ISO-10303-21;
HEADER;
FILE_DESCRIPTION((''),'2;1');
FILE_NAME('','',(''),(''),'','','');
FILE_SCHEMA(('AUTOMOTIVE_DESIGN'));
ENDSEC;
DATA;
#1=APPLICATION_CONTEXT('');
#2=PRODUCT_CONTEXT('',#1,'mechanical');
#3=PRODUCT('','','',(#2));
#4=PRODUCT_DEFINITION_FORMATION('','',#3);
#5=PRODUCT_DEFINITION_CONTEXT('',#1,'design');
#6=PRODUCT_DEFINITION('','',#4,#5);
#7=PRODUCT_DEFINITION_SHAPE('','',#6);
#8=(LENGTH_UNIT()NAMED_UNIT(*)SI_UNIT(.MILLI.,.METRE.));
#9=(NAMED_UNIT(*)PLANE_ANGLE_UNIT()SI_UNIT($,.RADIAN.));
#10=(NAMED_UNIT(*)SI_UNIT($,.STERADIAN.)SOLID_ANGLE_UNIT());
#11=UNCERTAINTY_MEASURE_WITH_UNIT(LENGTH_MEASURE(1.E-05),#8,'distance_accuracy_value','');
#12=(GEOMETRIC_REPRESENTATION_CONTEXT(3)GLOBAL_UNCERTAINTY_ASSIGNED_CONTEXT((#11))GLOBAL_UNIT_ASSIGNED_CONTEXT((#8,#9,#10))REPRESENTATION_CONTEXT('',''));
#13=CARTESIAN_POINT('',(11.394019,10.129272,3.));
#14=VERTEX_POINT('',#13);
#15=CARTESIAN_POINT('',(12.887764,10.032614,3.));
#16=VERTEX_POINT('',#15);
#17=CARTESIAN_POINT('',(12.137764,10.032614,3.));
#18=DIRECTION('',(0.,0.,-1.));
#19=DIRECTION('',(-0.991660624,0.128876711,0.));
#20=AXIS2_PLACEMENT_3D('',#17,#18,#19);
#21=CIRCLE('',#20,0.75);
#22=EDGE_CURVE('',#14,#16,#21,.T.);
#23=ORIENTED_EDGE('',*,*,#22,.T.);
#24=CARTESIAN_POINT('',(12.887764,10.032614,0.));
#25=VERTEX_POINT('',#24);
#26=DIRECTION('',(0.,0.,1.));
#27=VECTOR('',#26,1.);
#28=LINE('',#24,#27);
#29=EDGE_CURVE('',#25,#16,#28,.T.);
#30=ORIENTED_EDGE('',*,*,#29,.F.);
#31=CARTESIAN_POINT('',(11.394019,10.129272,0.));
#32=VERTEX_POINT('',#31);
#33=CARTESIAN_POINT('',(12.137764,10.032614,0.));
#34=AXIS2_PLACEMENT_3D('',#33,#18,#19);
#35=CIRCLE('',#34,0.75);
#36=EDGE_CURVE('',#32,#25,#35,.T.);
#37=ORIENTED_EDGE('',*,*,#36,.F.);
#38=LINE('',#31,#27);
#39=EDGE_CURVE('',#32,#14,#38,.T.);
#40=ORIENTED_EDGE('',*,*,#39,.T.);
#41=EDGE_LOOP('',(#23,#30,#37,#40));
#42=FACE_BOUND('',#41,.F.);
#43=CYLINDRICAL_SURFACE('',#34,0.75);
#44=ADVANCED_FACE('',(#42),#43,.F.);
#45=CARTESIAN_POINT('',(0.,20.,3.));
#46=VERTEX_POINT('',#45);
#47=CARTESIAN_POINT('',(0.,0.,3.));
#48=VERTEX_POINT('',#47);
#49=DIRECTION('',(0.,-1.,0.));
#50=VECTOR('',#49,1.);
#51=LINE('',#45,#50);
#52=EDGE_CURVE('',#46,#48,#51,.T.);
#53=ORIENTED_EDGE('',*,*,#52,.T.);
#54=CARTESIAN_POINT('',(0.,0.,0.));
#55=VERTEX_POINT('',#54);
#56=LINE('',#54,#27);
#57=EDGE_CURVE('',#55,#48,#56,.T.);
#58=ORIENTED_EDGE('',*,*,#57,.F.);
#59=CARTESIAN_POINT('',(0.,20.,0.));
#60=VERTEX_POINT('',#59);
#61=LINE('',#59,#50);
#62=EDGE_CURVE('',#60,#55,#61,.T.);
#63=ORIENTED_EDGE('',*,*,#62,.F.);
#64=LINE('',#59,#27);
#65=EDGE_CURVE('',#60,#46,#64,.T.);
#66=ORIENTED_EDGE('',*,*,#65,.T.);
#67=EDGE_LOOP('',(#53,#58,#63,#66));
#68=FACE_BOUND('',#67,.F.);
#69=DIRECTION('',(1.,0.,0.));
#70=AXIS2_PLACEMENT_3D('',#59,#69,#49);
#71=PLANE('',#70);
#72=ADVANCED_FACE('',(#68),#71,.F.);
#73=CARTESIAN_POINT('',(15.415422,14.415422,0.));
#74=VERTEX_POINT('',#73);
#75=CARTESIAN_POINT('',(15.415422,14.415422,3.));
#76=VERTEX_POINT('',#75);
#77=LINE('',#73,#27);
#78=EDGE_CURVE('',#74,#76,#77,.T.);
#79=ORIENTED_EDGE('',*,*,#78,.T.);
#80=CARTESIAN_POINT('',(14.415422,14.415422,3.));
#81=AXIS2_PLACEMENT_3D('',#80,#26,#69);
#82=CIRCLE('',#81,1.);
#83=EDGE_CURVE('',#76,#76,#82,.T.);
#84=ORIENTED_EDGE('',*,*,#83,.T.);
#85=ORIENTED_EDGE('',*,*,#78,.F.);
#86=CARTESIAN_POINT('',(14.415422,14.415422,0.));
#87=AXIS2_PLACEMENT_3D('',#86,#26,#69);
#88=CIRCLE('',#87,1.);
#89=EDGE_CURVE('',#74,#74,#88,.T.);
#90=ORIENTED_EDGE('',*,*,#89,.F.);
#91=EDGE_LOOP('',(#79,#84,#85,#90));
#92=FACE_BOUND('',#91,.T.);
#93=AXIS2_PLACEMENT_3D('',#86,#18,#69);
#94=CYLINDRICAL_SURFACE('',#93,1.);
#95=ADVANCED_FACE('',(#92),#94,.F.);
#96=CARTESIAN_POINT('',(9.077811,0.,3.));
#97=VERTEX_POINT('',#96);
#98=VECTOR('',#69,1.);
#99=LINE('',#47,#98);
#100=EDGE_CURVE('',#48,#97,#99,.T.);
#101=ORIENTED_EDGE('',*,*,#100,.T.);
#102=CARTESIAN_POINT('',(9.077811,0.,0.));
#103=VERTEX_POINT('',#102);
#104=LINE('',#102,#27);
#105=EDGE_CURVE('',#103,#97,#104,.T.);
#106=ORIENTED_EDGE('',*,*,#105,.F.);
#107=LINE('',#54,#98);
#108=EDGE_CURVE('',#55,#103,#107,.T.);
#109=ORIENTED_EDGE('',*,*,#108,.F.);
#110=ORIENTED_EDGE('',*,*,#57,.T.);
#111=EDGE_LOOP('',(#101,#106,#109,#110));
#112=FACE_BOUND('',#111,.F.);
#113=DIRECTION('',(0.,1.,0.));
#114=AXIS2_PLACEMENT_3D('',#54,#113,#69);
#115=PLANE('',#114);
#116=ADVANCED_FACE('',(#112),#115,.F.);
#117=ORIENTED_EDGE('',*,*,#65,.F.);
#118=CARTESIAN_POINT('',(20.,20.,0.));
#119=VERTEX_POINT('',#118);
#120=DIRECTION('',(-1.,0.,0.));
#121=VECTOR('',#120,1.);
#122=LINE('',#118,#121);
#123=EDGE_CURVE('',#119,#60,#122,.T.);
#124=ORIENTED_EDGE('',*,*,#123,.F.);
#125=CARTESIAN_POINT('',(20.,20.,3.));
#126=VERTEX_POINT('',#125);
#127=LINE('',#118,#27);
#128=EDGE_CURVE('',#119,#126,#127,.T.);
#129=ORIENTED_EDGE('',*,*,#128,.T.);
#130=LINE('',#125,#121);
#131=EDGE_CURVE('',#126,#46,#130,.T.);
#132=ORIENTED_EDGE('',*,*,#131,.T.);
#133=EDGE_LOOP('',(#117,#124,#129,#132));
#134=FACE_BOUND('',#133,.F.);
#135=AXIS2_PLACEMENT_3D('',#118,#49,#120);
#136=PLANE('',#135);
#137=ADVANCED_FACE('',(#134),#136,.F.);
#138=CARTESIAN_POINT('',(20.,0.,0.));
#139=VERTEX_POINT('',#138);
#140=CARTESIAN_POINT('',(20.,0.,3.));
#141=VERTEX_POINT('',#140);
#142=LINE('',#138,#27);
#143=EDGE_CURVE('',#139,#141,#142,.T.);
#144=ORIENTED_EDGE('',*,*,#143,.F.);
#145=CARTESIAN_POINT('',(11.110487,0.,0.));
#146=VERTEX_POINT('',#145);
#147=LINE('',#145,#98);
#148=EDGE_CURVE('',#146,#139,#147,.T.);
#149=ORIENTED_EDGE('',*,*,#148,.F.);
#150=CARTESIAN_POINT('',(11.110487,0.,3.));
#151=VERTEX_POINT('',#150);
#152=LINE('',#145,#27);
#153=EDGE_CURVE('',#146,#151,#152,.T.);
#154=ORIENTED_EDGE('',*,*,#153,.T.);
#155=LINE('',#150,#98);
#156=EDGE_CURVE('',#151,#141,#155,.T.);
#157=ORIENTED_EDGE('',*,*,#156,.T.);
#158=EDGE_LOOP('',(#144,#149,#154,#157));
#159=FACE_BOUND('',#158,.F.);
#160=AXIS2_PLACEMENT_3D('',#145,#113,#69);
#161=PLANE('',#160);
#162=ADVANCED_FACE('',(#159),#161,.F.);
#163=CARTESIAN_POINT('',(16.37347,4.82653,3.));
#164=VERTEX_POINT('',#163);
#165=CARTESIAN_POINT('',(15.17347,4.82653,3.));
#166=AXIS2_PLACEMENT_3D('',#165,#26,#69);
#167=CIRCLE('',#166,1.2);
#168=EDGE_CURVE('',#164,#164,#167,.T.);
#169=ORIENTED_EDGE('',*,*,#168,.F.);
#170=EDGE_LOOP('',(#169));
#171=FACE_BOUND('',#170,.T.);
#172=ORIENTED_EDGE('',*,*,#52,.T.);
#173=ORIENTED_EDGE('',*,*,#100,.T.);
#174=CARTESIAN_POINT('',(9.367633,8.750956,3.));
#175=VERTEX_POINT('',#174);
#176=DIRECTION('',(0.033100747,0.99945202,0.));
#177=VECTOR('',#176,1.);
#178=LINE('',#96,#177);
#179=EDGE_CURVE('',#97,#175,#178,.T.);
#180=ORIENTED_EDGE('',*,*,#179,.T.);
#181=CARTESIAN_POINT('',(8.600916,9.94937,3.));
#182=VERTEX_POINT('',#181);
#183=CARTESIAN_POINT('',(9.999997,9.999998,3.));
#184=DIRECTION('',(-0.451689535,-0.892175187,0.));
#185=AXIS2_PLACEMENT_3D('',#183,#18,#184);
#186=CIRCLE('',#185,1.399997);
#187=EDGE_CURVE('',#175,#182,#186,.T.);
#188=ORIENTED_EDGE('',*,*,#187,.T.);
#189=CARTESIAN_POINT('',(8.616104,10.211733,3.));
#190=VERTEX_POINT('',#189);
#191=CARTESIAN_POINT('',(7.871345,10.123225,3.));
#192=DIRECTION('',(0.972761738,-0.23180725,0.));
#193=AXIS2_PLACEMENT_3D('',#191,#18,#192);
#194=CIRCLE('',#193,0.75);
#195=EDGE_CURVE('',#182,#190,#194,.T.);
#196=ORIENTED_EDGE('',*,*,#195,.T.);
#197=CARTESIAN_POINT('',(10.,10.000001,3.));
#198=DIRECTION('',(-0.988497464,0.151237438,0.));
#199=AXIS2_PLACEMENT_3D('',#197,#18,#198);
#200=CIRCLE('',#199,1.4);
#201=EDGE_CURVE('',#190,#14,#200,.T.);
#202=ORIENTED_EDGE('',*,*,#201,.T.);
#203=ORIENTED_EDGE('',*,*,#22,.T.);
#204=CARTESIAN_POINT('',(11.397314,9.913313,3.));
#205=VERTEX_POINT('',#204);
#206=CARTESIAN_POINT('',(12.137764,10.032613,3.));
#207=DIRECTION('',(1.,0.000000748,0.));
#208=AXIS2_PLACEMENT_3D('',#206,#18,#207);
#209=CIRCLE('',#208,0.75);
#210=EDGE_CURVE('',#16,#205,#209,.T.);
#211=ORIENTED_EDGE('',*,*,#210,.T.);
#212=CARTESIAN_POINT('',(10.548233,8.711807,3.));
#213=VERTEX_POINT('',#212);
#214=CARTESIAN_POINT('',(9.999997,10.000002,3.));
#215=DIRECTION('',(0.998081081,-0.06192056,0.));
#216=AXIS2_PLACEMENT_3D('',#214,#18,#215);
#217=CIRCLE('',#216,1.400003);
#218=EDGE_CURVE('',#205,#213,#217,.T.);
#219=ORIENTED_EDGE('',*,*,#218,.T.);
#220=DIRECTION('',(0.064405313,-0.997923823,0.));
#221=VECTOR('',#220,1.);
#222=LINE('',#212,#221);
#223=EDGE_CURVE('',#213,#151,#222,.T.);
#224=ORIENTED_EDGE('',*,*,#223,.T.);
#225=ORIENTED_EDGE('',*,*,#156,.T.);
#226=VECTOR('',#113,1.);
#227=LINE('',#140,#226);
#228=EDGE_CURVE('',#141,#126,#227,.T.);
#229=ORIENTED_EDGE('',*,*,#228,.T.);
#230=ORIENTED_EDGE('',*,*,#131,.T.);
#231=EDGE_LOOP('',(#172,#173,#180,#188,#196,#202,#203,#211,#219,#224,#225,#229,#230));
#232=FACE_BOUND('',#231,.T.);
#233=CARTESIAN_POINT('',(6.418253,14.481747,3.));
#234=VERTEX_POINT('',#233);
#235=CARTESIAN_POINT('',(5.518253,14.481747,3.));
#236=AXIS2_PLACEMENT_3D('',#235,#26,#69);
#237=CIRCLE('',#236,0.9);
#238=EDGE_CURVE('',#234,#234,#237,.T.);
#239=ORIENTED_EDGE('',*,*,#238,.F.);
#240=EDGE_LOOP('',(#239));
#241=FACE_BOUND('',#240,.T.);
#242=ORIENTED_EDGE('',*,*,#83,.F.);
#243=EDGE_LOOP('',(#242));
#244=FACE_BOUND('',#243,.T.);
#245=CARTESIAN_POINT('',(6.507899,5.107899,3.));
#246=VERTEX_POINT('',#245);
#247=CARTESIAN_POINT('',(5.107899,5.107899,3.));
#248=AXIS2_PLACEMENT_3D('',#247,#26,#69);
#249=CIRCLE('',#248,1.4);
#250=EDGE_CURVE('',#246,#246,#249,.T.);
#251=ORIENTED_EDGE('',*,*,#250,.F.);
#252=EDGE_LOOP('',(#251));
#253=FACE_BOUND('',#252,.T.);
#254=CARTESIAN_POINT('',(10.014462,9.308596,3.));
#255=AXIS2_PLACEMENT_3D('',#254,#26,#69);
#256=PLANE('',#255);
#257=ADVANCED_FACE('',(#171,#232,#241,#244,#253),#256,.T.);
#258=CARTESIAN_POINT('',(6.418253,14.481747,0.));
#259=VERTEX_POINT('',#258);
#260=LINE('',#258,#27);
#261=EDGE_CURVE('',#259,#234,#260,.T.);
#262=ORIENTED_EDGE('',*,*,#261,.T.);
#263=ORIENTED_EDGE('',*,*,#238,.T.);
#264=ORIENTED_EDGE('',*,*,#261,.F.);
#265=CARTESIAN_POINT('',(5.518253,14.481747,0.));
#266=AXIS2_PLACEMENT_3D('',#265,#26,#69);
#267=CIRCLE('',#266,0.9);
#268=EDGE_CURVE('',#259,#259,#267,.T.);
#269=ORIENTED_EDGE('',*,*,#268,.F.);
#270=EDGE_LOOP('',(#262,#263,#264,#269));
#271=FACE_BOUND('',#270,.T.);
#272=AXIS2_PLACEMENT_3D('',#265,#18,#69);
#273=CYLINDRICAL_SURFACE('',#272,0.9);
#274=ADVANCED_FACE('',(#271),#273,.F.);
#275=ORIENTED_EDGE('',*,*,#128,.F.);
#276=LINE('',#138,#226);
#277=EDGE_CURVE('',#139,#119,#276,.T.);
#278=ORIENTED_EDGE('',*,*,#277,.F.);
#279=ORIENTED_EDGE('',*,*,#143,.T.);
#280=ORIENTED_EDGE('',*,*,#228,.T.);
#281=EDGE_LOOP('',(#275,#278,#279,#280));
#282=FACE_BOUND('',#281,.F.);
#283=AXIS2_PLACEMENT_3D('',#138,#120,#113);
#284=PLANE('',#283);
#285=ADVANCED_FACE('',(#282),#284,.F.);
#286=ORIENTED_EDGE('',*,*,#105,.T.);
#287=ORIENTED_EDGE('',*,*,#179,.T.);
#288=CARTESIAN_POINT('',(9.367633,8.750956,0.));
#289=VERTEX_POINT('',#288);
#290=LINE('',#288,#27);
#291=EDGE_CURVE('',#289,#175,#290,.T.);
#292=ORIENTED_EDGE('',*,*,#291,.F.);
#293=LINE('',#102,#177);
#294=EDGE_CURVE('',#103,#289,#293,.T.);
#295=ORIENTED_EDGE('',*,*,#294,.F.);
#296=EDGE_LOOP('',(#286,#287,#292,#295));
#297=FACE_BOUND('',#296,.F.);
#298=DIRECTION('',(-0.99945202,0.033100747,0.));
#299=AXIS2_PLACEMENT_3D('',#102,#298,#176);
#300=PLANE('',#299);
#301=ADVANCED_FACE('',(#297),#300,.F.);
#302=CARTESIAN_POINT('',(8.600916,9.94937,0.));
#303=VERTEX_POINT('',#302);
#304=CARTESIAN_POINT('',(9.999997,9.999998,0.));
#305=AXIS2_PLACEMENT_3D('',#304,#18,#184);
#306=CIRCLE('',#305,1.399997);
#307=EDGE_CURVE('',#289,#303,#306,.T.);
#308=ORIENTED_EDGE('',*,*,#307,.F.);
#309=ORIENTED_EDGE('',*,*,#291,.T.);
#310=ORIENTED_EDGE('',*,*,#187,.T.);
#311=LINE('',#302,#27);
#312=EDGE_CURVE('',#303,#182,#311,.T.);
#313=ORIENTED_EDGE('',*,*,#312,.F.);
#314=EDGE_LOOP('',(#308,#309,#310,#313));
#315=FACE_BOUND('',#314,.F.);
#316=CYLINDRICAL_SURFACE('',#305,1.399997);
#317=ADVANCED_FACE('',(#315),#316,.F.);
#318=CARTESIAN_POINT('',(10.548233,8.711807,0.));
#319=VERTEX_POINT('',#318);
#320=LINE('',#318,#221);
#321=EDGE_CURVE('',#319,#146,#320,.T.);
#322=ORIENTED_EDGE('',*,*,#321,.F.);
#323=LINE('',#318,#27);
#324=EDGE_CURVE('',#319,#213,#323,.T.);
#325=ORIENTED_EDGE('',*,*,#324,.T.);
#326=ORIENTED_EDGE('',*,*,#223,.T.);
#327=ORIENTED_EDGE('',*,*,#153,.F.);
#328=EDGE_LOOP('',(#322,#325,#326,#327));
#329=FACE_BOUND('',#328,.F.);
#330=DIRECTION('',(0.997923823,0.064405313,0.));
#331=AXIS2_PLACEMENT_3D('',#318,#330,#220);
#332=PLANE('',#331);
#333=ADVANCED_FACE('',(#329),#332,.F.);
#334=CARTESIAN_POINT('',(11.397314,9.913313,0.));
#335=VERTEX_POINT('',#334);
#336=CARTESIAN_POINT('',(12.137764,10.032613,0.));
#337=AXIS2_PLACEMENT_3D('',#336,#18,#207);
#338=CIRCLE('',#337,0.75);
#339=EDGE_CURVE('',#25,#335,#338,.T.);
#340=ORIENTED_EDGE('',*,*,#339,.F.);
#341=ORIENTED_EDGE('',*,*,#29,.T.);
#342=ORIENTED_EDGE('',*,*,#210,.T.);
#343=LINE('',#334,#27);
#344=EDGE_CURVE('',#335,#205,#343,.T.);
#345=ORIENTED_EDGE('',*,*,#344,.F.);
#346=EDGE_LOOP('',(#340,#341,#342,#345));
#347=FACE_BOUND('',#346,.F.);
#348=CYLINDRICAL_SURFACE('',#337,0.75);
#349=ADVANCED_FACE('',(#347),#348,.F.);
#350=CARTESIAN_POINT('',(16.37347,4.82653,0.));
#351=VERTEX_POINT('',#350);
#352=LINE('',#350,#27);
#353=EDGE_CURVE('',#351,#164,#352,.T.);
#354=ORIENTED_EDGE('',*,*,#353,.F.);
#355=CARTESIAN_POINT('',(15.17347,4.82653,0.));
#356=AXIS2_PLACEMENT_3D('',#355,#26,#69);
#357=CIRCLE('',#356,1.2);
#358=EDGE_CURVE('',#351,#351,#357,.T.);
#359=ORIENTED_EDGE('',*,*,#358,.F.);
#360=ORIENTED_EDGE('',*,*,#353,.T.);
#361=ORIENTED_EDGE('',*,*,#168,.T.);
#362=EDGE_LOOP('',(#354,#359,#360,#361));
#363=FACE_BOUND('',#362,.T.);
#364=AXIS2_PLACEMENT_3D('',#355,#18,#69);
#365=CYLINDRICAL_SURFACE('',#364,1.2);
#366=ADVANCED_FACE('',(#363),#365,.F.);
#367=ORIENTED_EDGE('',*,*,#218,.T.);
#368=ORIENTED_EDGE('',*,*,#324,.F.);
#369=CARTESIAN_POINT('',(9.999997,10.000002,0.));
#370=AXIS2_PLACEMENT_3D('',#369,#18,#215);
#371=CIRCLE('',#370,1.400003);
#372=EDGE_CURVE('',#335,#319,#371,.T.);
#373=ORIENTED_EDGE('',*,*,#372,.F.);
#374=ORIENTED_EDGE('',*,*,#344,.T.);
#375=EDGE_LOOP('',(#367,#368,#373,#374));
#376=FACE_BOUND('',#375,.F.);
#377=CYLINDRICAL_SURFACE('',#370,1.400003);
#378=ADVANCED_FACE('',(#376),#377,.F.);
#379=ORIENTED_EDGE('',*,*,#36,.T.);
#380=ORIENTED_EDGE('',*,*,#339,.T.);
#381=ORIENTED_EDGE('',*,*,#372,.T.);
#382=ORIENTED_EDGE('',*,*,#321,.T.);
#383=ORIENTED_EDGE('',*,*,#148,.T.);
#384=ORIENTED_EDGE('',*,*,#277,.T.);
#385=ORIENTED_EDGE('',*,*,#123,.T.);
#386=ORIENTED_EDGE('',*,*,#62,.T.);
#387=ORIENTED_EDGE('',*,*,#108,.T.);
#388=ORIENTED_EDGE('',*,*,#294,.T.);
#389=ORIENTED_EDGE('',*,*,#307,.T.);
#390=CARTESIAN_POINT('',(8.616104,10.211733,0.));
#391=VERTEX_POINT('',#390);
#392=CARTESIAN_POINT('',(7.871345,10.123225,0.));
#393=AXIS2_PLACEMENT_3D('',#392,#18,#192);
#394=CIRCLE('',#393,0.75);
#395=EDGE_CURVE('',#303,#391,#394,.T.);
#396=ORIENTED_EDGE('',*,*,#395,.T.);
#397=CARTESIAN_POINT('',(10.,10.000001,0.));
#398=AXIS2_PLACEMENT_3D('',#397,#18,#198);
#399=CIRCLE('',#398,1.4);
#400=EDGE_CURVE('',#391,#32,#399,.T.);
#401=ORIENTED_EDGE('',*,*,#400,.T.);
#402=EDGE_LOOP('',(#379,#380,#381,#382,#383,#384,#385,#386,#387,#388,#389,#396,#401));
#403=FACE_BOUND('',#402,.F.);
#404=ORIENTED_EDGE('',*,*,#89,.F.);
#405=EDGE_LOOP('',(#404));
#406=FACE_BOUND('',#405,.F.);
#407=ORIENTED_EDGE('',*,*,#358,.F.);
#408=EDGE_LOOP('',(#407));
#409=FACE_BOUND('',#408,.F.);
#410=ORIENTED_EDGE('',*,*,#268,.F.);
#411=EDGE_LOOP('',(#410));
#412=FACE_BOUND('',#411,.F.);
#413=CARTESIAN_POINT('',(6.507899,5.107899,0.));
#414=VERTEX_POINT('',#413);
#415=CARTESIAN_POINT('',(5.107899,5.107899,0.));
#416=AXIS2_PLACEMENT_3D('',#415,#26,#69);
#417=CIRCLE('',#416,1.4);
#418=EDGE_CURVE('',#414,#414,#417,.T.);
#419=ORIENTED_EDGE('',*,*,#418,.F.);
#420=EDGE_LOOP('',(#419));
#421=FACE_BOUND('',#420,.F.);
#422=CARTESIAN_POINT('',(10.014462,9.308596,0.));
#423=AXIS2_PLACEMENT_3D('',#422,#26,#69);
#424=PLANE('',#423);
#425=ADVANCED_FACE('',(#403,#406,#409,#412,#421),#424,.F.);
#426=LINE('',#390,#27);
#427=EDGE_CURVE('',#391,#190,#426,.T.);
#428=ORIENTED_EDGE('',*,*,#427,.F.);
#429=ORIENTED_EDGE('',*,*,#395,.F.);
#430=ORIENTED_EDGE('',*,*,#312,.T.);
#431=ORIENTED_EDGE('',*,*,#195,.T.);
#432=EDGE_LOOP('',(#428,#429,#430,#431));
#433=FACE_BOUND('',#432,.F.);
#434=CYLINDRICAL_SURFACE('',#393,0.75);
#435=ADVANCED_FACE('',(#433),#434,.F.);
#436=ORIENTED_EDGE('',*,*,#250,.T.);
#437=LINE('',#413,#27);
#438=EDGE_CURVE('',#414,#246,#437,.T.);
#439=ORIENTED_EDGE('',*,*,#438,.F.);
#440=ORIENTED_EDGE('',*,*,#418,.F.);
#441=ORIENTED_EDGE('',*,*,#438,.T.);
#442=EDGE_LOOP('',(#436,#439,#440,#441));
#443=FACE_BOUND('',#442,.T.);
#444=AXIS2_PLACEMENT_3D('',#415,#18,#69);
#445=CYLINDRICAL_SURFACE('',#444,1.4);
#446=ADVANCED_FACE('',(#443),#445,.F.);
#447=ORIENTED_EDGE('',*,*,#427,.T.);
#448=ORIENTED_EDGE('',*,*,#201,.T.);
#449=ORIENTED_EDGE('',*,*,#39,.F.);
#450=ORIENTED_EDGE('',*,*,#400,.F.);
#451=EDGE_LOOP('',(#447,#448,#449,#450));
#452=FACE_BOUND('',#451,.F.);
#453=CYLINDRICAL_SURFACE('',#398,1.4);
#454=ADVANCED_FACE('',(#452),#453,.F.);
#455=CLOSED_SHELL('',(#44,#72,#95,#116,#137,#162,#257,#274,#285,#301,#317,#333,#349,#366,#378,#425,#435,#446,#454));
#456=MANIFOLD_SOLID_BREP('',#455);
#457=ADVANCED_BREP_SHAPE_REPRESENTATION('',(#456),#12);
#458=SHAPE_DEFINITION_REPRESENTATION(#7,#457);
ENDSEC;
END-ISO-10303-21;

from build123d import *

# Parameters (mm, degrees)
F0_R     = 1.4
F0_R_2   = 1.2
F0_R_3   = 0.9
F0_R_4   = 1
F1_DEPTH = 3


with BuildPart() as f1:
    # F0 (on Top) → F1 (new body)
    with BuildSketch(Plane.XY):
        with BuildLine():
            Line((0, 20), (0, 0))
            Line((0, 0), (9.077811, 0))
            Line((9.077811, 0), (9.367633, 8.750956))
            ThreePointArc((9.367633, 8.750956), (8.8207, 9.245512), (8.600916, 9.94937))
            ThreePointArc((8.600916, 9.94937), (7.122598, 10.166569), (8.616104, 10.211733))
            ThreePointArc((8.616104, 10.211733), (10.04154, 11.399384), (11.394019, 10.129272))
            ThreePointArc((11.394019, 10.129272), (12.186194, 10.781049), (12.887764, 10.032614))
            ThreePointArc((12.887764, 10.032614), (12.197606, 9.285005), (11.397314, 9.913313))
            ThreePointArc((11.397314, 9.913313), (11.143325, 9.192035), (10.548233, 8.711807))
            Line((10.548233, 8.711807), (11.110487, 0))
            Line((11.110487, 0), (20, 0))
            Line((20, 0), (20, 20))
            Line((20, 20), (0, 20))
        make_face()
        with Locations((5.107899, 5.107899)):
            Circle(F0_R, mode=Mode.SUBTRACT)
        with Locations((15.17347, 4.82653)):
            Circle(F0_R_2, mode=Mode.SUBTRACT)
        with Locations((5.518253, 14.481747)):
            Circle(F0_R_3, mode=Mode.SUBTRACT)
        with Locations((14.415422, 14.415422)):
            Circle(F0_R_4, mode=Mode.SUBTRACT)
    extrude(amount=F1_DEPTH)


solid = f1.part
